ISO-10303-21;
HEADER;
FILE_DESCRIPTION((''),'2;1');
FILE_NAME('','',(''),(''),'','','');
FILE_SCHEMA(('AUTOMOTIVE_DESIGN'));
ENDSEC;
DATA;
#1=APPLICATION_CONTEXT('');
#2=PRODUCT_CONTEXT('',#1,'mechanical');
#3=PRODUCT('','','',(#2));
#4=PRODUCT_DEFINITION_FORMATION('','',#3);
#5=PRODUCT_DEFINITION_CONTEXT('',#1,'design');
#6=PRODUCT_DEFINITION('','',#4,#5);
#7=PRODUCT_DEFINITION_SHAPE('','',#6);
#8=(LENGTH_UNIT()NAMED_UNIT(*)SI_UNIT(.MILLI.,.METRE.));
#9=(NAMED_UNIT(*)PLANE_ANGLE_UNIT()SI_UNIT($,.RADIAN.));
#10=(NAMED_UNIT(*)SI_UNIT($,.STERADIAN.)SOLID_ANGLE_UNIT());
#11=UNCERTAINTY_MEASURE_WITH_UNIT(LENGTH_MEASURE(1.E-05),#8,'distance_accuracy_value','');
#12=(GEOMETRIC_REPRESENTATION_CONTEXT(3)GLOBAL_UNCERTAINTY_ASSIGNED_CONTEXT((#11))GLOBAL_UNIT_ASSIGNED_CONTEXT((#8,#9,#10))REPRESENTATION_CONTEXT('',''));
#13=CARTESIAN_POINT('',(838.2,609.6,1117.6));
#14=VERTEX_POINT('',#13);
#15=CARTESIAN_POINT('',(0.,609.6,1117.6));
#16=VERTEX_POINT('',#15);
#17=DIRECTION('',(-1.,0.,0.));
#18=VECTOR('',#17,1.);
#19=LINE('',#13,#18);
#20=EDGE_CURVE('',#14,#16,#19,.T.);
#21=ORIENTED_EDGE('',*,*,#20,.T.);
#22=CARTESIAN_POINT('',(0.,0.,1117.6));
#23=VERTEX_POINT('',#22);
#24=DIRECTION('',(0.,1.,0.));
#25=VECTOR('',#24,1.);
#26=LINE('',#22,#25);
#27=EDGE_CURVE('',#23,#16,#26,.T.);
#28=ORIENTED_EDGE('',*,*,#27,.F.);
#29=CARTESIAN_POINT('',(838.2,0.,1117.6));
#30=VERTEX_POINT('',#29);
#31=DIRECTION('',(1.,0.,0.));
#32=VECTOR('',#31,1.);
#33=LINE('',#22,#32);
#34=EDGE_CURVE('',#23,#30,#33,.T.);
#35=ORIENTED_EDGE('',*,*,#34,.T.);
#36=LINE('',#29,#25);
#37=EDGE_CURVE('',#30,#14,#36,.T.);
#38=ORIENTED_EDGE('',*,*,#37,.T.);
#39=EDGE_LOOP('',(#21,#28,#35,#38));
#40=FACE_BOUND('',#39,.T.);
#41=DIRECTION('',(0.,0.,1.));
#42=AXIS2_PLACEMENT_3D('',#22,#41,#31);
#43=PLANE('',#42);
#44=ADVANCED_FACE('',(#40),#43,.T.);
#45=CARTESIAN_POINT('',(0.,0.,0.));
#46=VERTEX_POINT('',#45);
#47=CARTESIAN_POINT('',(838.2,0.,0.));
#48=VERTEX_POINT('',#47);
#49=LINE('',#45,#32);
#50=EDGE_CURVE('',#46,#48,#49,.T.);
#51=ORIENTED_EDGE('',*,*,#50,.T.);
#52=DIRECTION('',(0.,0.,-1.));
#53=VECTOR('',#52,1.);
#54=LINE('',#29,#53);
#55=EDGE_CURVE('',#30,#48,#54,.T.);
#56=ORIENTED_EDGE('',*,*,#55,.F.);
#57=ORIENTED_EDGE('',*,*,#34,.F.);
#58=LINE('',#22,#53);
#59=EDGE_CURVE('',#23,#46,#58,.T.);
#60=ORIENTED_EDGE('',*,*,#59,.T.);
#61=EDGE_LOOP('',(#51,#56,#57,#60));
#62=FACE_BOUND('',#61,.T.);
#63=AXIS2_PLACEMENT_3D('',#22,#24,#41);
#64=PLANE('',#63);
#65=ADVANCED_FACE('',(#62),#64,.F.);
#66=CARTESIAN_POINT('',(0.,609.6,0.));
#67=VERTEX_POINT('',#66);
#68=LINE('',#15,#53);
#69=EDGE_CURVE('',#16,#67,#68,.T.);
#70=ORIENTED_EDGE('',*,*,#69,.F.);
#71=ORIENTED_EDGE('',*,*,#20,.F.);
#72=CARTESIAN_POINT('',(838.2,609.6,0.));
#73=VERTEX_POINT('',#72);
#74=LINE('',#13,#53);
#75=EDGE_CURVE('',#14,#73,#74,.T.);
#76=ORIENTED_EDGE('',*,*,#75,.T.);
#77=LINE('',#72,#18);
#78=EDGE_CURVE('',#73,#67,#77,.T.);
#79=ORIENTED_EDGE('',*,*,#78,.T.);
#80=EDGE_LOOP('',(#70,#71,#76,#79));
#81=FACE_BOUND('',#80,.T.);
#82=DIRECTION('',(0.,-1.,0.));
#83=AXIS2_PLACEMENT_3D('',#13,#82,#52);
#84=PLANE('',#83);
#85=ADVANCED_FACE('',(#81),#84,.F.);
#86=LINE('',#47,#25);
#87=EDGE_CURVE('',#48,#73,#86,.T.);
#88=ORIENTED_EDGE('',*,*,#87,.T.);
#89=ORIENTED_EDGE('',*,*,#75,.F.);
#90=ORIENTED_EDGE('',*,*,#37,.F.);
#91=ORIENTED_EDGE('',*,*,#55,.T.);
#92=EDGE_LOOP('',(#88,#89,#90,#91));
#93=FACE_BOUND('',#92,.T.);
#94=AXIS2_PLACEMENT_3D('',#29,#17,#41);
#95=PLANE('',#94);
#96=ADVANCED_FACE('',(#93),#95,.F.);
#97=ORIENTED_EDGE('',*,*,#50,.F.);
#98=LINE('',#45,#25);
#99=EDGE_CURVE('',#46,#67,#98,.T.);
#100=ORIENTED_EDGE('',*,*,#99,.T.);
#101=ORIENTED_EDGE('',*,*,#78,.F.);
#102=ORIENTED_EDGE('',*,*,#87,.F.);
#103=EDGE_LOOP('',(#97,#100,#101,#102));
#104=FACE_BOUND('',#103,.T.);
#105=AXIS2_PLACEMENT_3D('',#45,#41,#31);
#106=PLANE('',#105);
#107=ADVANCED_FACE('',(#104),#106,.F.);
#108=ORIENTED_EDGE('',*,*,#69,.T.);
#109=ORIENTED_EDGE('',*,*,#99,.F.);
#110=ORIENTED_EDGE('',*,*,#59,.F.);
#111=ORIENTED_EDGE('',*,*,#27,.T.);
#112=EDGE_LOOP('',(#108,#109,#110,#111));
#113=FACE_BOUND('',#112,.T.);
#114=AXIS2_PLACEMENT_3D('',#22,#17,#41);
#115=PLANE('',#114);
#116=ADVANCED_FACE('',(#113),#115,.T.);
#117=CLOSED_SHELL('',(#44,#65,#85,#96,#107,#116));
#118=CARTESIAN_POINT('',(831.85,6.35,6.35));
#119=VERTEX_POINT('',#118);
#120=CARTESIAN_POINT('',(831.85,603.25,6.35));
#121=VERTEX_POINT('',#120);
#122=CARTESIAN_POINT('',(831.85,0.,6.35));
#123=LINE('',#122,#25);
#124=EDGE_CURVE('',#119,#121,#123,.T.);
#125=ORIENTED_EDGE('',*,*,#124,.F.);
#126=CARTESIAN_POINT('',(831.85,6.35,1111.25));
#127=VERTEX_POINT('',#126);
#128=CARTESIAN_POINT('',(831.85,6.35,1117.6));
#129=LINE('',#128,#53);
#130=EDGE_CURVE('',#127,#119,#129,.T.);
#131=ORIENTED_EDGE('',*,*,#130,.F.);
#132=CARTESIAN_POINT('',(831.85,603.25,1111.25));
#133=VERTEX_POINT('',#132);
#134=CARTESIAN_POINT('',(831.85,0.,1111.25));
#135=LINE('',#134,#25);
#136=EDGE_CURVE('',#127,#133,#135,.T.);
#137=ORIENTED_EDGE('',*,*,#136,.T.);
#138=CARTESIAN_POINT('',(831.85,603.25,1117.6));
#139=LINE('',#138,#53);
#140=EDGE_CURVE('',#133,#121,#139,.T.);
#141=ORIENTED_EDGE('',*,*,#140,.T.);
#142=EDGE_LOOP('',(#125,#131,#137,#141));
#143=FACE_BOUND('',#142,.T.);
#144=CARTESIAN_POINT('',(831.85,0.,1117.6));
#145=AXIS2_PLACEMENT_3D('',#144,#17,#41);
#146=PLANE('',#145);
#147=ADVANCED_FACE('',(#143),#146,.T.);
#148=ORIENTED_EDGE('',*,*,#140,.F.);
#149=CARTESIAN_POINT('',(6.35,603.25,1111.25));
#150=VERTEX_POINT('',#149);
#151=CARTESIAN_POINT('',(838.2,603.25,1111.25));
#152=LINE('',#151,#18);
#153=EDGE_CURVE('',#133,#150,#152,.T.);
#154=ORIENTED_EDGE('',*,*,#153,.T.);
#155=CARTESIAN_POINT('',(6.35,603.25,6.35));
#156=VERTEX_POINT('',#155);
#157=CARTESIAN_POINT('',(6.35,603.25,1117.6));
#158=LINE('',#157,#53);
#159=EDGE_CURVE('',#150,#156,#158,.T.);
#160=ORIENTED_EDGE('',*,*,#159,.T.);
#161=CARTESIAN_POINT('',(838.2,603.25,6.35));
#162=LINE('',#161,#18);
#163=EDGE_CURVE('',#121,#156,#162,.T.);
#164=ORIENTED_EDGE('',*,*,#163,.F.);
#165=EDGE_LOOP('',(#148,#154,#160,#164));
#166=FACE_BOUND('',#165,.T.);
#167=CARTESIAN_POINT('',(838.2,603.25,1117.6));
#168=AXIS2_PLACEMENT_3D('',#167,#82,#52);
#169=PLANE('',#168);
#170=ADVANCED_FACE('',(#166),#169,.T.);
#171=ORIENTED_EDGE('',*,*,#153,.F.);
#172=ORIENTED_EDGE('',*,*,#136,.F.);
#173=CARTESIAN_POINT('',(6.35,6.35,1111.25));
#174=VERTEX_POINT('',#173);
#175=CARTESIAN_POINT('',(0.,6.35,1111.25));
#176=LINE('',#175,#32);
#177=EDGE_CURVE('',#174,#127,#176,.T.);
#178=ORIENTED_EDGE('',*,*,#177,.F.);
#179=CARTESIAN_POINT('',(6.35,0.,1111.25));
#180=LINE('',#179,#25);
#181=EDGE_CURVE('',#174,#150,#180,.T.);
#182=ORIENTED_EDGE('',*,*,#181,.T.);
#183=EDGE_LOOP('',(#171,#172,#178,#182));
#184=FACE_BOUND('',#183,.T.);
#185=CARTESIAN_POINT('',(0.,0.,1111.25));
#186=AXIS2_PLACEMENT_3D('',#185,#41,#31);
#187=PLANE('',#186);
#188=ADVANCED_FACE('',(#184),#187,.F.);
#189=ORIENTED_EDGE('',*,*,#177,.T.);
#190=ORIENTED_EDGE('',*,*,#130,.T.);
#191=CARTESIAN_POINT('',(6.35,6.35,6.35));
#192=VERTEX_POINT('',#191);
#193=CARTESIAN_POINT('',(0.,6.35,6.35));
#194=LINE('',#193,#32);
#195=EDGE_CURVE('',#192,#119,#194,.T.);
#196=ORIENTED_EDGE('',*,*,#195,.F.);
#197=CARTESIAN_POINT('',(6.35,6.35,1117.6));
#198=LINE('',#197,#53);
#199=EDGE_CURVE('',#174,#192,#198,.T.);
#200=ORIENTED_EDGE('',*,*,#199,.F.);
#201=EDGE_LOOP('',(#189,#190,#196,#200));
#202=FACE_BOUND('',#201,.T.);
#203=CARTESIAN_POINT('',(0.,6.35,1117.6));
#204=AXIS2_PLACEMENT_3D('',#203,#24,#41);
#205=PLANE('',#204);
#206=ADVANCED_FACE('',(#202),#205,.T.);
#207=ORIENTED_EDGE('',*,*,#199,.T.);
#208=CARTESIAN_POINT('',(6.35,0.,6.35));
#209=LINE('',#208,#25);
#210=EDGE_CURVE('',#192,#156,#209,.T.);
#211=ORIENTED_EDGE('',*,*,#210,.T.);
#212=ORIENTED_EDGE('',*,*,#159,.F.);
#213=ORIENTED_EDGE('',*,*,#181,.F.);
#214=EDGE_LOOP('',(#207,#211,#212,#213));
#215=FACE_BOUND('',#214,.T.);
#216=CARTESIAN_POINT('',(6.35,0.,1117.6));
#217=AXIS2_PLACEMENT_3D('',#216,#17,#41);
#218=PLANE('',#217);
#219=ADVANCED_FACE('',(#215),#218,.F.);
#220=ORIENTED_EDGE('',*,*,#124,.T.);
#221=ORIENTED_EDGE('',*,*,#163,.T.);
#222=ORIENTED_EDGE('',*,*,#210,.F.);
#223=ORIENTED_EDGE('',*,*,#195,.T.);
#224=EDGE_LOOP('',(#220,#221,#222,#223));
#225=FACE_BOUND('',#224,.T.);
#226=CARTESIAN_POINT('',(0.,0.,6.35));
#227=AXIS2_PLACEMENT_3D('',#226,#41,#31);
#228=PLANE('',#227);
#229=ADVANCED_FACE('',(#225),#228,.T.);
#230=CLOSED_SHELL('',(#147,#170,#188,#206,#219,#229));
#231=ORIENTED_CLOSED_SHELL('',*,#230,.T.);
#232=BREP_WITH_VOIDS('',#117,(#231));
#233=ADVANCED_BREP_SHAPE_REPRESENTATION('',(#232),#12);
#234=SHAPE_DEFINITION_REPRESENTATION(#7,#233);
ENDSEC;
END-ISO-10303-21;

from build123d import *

# Parameters (mm, degrees)
SKETCH2_W           = 838.2
SKETCH2_H           = 609.6
BOSS_EXTRUDE1_DEPTH = 1117.6
SHELL1_T            = 6.35


with BuildPart() as part:
    # Sketch2 → Boss-Extrude1 (new body)
    with BuildSketch(Plane.XY):
        with Locations((419.1, 304.8)):
            Rectangle(SKETCH2_W, SKETCH2_H)
    extrude(amount=BOSS_EXTRUDE1_DEPTH)

    # Shell1 (no face opened: a closed hollow body)
    add(offset(amount=-SHELL1_T, mode=Mode.PRIVATE), mode=Mode.SUBTRACT)


solid = part.part
